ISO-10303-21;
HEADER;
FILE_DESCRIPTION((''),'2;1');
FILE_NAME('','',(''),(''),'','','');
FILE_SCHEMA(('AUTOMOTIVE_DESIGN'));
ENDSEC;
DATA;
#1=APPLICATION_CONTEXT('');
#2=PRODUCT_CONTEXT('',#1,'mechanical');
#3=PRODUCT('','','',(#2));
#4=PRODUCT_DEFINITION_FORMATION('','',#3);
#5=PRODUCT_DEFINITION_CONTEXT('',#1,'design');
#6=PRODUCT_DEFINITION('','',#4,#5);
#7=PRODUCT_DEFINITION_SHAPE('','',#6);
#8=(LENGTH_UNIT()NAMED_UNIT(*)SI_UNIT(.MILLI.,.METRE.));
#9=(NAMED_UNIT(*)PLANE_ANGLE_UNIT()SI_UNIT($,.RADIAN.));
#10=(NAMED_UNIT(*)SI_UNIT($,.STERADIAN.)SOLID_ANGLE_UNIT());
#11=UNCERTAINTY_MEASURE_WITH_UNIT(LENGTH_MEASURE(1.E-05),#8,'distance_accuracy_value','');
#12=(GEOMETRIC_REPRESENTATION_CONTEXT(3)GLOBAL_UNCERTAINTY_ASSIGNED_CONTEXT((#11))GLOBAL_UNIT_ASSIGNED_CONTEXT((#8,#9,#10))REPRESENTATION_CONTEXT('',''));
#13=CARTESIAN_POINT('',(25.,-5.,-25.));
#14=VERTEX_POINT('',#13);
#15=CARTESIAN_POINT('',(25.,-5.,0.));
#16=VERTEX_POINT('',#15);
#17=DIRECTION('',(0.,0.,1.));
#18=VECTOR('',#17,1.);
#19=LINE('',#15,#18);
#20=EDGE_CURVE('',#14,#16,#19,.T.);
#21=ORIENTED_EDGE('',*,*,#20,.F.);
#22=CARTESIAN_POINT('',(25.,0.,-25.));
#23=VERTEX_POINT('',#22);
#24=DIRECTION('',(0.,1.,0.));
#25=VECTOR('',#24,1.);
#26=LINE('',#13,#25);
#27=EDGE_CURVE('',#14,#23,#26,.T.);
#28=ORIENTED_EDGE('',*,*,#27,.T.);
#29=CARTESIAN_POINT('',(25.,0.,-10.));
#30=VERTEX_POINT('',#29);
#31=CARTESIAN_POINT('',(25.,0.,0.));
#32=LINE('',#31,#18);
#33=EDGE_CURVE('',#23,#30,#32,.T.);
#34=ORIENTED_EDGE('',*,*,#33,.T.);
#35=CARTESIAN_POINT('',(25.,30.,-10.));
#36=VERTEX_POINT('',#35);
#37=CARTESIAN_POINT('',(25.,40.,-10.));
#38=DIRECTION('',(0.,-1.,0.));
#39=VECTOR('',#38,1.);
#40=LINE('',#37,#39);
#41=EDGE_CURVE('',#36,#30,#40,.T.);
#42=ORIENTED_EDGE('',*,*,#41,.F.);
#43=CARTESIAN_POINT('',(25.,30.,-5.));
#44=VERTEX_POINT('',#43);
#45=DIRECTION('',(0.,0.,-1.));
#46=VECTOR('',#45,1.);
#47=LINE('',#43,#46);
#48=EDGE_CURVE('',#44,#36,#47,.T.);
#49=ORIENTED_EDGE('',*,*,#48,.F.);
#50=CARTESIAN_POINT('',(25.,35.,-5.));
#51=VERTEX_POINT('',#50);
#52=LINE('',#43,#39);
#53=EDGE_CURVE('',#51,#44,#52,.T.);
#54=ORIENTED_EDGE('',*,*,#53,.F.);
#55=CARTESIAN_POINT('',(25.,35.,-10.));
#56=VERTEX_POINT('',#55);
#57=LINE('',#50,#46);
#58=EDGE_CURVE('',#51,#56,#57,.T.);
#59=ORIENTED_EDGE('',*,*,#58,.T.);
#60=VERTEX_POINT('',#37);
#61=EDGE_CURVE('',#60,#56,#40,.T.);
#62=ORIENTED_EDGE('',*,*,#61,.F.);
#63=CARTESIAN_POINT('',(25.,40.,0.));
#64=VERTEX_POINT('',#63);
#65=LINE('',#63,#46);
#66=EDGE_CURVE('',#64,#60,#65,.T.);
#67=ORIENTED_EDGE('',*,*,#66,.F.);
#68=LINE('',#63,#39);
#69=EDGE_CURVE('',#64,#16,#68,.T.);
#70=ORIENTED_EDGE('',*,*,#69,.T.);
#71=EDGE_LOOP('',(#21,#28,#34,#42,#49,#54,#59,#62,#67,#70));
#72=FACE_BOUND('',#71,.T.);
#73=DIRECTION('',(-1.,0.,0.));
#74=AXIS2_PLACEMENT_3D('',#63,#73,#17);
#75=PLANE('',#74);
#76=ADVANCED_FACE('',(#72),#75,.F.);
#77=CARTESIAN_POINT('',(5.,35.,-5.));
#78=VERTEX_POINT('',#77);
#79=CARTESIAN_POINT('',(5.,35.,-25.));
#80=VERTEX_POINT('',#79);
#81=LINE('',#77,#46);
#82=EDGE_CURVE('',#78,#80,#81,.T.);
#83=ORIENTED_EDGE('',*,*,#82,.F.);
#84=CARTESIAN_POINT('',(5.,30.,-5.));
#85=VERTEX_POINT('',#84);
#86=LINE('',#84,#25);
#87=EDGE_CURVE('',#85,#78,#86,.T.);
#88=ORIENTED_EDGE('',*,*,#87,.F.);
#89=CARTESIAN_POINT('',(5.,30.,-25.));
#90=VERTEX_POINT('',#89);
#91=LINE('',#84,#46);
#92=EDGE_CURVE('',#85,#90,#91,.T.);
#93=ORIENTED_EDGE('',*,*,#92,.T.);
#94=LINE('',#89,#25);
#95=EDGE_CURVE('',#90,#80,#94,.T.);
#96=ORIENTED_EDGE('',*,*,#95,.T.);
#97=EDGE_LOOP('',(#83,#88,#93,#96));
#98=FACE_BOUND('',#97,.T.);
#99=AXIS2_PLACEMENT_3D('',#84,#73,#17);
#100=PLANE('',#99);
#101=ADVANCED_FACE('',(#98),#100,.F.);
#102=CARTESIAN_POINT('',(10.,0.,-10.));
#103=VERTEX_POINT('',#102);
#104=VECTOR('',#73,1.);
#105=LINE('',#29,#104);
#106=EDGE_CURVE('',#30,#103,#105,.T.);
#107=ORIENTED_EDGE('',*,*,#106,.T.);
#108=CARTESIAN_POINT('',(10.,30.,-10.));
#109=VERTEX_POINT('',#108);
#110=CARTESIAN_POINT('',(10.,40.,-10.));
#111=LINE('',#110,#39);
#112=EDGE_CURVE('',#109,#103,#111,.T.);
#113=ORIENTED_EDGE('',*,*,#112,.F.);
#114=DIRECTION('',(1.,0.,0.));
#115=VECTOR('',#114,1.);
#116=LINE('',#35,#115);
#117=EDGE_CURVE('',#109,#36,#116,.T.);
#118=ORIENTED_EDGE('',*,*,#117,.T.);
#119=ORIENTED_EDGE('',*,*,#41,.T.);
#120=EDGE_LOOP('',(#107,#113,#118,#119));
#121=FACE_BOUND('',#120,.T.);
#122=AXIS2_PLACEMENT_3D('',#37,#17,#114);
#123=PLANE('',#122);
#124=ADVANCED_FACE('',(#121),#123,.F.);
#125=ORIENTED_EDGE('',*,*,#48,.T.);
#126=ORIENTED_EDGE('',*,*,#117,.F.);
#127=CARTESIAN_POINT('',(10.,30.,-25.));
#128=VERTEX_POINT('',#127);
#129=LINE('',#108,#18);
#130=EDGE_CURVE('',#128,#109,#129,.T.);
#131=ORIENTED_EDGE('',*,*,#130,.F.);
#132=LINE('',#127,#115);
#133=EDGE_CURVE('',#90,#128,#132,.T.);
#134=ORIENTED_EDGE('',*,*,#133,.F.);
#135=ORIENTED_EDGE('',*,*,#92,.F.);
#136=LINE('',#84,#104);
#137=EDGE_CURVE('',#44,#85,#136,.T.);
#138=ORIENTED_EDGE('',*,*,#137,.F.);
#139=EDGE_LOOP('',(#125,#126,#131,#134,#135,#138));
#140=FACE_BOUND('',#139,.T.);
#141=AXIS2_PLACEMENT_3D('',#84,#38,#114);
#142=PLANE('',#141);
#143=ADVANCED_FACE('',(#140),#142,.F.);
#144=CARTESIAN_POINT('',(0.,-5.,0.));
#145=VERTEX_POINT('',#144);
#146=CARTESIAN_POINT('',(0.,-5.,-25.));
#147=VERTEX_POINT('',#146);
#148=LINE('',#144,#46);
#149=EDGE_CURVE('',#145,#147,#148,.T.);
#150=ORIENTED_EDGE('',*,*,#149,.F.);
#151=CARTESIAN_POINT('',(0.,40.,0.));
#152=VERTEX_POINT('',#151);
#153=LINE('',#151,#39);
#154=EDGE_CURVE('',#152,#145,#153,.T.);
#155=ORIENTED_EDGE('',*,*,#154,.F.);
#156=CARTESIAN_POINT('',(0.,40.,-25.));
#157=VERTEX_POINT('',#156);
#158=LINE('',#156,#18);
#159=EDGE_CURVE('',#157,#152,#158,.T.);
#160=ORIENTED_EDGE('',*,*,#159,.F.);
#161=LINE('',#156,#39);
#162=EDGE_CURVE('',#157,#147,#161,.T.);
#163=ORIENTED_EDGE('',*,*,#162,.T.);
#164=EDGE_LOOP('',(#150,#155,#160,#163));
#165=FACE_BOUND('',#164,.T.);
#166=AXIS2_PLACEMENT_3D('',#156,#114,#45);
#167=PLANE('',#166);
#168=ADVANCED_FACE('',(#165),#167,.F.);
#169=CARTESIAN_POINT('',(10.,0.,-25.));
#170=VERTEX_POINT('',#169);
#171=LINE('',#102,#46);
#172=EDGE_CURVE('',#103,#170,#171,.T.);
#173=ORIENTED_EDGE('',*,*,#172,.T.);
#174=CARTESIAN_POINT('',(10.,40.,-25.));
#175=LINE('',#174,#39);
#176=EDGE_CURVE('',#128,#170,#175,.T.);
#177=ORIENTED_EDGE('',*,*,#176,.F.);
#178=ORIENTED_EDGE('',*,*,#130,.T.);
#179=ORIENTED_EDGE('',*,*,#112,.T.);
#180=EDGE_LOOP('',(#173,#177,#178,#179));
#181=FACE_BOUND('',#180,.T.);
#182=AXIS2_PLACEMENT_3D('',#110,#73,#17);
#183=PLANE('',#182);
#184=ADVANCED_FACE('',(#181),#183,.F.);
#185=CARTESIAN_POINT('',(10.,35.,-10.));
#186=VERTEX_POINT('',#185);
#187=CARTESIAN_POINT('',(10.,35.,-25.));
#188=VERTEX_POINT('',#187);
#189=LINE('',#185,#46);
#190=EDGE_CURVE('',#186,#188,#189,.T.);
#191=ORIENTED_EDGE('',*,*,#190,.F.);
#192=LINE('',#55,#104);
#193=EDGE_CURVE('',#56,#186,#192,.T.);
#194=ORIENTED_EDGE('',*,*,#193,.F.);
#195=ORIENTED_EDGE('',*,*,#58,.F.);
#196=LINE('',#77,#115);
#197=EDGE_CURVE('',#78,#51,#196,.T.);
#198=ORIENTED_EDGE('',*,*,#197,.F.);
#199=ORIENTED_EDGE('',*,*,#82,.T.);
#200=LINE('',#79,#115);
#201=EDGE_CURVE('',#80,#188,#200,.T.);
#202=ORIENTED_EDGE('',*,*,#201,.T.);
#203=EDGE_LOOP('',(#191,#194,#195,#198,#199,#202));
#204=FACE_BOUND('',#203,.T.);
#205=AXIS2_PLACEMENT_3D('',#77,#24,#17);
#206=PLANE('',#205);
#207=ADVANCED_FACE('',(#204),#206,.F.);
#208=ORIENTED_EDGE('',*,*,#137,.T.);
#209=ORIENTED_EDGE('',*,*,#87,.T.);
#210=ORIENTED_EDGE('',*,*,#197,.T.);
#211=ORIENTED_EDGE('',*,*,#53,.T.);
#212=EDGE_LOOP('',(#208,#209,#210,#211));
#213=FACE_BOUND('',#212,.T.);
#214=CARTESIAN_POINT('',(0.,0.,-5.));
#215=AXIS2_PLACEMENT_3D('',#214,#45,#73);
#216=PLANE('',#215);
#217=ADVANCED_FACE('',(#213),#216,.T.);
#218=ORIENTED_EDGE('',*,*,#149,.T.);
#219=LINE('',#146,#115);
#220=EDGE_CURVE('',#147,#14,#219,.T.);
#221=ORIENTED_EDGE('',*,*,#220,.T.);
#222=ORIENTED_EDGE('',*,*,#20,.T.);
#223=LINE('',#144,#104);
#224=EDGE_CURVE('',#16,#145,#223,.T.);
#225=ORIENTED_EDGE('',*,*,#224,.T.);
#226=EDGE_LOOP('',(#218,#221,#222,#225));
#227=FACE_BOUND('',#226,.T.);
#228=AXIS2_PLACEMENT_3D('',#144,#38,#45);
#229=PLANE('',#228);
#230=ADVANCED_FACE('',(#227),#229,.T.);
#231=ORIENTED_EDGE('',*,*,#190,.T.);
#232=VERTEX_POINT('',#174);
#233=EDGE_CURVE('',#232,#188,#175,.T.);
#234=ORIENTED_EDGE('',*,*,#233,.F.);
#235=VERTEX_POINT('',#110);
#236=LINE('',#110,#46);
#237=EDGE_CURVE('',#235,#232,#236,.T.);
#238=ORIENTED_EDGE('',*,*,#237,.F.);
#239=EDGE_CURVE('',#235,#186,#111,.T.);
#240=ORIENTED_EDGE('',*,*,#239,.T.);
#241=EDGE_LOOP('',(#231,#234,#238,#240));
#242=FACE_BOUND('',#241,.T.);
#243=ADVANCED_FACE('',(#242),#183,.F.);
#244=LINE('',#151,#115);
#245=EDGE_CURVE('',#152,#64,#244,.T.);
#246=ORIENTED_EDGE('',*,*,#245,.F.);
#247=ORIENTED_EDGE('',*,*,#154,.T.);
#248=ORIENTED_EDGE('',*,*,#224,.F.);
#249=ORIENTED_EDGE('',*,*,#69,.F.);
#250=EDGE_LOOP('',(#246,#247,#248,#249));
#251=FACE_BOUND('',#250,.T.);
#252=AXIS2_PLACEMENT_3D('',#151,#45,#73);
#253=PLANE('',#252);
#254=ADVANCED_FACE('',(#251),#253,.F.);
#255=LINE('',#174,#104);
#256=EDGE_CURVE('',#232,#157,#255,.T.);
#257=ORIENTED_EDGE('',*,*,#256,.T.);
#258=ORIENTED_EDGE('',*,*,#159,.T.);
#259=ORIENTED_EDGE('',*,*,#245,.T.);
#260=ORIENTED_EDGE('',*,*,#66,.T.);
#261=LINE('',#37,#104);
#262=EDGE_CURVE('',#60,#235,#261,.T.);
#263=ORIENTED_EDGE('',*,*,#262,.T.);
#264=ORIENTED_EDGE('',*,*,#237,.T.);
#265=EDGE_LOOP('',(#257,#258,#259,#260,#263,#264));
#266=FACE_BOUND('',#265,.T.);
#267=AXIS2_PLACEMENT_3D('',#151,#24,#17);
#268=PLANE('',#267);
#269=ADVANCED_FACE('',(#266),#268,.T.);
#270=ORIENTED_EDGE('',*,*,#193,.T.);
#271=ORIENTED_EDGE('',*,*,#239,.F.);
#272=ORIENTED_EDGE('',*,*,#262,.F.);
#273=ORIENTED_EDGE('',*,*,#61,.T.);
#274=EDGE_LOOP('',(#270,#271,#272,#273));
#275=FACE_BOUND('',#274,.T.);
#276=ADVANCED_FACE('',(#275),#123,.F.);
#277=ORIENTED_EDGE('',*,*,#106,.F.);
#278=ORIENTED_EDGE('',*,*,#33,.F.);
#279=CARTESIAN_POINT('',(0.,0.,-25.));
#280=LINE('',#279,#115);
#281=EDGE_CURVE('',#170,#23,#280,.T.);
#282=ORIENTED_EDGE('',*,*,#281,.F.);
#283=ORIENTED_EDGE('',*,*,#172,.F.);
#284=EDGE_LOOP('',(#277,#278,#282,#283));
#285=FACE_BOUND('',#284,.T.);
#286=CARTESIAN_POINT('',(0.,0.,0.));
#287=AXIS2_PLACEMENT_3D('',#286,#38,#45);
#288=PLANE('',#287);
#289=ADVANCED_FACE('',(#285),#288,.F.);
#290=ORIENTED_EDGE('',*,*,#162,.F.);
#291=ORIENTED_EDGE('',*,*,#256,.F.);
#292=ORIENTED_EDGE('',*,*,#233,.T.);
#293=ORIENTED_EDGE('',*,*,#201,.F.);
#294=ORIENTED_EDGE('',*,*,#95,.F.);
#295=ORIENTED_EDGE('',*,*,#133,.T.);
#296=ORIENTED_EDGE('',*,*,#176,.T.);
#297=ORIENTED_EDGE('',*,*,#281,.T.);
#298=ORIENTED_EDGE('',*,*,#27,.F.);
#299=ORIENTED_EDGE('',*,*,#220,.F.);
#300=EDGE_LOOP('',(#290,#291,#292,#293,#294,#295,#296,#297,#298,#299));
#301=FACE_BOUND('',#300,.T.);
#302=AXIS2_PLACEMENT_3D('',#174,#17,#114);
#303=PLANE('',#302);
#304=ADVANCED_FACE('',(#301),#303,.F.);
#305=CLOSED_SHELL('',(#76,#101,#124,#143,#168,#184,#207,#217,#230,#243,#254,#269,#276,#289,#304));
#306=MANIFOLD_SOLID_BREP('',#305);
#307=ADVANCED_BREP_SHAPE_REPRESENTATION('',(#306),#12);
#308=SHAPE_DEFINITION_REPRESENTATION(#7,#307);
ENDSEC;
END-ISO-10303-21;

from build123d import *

# Parameters (mm, degrees)
EXTRUDE_1_DEPTH     = 40
SKETCH_2_W          = 25
SKETCH_2_H          = 25
EXTRUDE_2_DEPTH     = 5
SKETCH_3_W          = 20
SKETCH_3_H          = 5
CUT_EXTRUDE_1_DEPTH = 20


with BuildPart() as part:
    # 스케치1 → 보스-돌출1 (new body)
    with BuildSketch(Plane(origin=(0, 0, 0), x_dir=(1, 0, 0), z_dir=(0, 1, 0))):
        Polygon((0, 0), (25, 0), (25, 10), (10, 10), (10, 25), (0, 25), align=None)
    extrude(amount=EXTRUDE_1_DEPTH)

    # 스케치2 → 보스-돌출2 (add)
    with BuildSketch(Plane.XZ):
        with Locations((12.5, -12.5)):
            Rectangle(SKETCH_2_W, SKETCH_2_H)
    extrude(amount=EXTRUDE_2_DEPTH)

    # 스케치3 → 컷-돌출1 (cut)
    with BuildSketch(Plane(origin=(0, 0, -25), x_dir=(-1, 0, 0), z_dir=(0, 0, -1))):
        with Locations((-15, 32.5)):
            Rectangle(SKETCH_3_W, SKETCH_3_H)
    extrude(amount=-CUT_EXTRUDE_1_DEPTH, mode=Mode.SUBTRACT)


solid = part.part
